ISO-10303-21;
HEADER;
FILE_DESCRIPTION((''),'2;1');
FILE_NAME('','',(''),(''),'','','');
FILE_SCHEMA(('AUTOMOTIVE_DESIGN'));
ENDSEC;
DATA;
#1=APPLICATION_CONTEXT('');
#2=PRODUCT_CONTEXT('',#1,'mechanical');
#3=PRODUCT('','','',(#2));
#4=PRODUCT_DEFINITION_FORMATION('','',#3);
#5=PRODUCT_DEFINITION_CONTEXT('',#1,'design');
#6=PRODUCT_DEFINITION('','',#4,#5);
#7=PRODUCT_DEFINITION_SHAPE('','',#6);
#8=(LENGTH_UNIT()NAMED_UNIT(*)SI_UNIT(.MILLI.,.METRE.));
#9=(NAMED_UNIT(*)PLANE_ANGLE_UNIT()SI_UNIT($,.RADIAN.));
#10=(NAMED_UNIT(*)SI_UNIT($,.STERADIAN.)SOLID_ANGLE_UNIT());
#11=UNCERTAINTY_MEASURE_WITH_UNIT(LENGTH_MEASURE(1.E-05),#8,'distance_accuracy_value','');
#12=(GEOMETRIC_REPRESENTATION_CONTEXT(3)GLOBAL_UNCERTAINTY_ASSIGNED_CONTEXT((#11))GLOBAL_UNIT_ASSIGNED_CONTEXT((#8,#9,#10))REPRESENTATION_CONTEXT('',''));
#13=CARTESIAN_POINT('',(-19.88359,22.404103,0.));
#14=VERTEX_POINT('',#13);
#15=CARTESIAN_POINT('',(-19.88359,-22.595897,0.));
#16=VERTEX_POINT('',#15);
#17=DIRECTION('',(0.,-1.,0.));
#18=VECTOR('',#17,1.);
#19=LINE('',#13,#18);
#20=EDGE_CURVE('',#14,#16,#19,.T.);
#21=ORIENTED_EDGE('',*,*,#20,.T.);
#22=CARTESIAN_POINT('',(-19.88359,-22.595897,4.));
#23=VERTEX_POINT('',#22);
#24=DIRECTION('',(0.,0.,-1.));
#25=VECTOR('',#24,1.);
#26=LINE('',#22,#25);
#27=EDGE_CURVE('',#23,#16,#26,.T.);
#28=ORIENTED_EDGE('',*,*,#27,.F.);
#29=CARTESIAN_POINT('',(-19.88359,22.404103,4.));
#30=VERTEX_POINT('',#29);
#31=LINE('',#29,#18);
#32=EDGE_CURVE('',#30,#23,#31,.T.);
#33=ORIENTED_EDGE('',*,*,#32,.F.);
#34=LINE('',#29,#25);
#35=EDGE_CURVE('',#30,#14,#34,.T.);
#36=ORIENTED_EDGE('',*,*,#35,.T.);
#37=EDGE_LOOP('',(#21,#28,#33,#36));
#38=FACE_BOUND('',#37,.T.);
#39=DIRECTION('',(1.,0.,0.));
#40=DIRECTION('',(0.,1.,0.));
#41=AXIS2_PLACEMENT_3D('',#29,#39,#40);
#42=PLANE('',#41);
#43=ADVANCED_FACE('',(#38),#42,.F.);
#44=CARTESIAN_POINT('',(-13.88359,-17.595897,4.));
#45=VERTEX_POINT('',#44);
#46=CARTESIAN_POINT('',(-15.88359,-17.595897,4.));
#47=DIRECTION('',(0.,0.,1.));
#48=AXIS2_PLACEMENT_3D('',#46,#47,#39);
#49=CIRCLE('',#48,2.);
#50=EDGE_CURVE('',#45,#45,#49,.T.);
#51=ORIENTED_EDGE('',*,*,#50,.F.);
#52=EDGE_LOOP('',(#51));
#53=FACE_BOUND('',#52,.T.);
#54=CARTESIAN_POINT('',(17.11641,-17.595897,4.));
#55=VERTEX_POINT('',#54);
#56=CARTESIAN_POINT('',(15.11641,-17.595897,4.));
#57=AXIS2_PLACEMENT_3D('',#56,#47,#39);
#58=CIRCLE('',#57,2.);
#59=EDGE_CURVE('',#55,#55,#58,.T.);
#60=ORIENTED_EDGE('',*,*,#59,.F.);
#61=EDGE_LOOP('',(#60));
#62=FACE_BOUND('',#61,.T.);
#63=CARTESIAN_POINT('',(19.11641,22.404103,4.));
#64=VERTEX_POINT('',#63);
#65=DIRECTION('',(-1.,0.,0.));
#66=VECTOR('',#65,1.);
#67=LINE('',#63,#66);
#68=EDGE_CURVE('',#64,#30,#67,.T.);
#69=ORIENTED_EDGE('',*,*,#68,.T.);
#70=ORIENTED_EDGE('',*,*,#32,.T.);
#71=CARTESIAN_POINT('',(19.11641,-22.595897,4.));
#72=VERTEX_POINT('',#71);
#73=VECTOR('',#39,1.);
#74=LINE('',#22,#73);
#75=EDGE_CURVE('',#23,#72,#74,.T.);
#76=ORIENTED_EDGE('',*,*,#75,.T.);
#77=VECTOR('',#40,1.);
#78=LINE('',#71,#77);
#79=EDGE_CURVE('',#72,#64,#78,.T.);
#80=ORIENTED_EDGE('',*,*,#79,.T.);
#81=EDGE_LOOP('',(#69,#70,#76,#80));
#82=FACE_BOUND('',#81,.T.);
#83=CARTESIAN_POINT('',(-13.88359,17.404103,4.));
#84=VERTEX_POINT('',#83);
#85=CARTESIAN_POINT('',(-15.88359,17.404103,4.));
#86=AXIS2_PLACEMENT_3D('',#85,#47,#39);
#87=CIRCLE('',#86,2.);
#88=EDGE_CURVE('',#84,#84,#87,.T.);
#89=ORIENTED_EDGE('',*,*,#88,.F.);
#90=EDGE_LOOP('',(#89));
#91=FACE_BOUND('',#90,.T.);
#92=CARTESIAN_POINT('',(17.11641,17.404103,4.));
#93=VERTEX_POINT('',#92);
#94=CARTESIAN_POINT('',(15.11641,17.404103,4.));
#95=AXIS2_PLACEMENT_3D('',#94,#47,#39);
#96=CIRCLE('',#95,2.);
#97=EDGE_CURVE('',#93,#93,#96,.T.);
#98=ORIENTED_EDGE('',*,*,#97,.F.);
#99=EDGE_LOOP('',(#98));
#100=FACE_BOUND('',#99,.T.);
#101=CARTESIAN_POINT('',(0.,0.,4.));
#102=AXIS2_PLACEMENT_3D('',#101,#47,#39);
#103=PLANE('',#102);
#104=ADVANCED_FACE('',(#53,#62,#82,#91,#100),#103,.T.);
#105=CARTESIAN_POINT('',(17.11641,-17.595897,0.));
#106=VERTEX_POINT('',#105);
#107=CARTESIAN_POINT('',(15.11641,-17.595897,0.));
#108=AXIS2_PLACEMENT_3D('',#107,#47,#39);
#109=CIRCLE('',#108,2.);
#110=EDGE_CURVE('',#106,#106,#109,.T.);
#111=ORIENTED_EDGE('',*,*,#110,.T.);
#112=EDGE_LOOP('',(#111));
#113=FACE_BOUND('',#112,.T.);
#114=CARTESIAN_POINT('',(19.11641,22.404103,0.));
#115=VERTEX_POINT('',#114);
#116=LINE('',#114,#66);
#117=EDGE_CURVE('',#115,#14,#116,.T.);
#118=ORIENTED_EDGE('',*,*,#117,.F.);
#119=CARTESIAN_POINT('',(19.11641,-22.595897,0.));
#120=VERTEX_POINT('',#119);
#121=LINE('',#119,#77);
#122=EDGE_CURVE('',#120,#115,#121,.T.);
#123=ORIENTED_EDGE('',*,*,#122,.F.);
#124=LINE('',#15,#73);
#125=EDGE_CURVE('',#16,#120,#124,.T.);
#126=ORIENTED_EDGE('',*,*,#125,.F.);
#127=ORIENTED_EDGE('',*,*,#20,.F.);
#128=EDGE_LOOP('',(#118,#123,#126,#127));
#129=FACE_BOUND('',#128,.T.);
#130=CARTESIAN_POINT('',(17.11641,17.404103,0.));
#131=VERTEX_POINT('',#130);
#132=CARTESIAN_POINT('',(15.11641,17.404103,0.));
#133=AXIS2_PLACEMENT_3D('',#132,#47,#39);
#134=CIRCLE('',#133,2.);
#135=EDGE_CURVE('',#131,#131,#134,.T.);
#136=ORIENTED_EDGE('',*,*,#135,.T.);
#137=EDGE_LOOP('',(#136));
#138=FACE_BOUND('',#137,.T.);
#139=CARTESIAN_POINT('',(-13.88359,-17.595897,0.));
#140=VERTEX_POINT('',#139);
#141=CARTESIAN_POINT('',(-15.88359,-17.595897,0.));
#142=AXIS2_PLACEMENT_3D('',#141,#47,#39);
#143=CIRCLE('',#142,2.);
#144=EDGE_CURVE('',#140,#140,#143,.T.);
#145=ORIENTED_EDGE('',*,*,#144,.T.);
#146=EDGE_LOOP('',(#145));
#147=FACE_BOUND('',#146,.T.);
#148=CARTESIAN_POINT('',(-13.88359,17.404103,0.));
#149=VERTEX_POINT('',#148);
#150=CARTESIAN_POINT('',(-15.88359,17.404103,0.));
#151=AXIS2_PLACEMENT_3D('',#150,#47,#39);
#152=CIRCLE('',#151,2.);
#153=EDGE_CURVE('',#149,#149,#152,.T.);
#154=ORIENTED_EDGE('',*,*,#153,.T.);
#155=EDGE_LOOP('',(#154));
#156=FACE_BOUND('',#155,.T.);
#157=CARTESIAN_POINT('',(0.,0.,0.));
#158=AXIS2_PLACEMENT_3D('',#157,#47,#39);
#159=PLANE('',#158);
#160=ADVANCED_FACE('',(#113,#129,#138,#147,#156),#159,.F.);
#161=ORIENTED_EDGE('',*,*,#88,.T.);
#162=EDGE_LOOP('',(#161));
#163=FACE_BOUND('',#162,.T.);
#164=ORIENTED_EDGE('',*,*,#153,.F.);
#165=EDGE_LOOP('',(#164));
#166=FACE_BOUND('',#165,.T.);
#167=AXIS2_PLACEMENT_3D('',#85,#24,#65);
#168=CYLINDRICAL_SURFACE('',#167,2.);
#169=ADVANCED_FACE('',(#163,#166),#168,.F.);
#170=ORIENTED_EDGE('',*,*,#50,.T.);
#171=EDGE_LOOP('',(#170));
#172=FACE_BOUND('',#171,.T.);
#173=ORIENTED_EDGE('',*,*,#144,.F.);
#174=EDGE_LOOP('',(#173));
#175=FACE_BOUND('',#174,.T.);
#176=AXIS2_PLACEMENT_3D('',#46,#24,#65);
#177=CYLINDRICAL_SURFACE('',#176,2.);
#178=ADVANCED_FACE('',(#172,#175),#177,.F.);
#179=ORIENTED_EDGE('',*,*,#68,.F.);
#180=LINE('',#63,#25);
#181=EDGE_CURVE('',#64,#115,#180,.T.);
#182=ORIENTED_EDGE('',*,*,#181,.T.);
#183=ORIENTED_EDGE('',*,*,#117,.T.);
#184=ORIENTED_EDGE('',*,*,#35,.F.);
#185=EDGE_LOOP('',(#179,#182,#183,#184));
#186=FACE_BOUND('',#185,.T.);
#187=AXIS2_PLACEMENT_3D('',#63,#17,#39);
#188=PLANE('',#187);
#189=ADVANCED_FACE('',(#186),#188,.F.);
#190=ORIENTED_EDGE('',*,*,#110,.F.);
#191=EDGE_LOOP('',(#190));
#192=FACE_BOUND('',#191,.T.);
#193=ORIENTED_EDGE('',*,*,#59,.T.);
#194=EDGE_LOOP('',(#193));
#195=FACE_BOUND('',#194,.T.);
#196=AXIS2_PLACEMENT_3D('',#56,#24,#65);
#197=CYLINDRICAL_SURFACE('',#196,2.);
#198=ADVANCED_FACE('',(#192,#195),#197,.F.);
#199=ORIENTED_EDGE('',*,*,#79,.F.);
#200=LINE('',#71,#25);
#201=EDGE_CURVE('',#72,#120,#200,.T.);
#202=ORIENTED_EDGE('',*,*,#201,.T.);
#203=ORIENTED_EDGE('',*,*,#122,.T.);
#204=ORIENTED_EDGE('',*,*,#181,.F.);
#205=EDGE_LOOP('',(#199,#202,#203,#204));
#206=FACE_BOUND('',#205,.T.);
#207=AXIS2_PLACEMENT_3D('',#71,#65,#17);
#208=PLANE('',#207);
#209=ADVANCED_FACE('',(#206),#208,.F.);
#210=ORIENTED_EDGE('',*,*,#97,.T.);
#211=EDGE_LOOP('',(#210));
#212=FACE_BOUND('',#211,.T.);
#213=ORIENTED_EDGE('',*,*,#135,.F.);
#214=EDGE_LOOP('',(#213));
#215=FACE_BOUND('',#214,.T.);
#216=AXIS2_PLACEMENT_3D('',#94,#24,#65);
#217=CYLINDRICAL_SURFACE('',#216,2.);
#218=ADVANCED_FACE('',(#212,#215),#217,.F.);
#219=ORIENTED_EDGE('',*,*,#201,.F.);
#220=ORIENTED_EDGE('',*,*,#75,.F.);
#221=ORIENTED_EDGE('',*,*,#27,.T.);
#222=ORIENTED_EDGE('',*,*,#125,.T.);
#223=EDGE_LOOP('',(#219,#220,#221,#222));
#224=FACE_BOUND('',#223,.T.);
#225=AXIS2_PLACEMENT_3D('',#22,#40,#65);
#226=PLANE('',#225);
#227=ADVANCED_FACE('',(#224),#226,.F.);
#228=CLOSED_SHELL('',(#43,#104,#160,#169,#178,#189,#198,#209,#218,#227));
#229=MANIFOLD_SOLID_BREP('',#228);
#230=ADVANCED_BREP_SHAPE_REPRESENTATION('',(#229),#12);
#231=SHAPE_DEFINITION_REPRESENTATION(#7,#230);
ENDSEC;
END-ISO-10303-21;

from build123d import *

# Parameters (mm, degrees)
SKETCH1_W           = 39
SKETCH1_H           = 45
SKETCH1_R           = 2
BOSS_EXTRUDE1_DEPTH = 4


with BuildPart() as part:
    # Sketch1 → Boss-Extrude1 (new body)
    with BuildSketch(Plane.XY):
        with Locations((-0.383589858, -0.095897464)):
            Rectangle(SKETCH1_W, SKETCH1_H)
        with Locations((-15.883589858, -17.595897464)):
            Circle(SKETCH1_R, mode=Mode.SUBTRACT)
        with Locations((15.116410142, -17.595897464)):
            Circle(SKETCH1_R, mode=Mode.SUBTRACT)
        with Locations((15.116410142, 17.404102536)):
            Circle(SKETCH1_R, mode=Mode.SUBTRACT)
        with Locations((-15.883589858, 17.404102536)):
            Circle(SKETCH1_R, mode=Mode.SUBTRACT)
    extrude(amount=BOSS_EXTRUDE1_DEPTH)


solid = part.part
